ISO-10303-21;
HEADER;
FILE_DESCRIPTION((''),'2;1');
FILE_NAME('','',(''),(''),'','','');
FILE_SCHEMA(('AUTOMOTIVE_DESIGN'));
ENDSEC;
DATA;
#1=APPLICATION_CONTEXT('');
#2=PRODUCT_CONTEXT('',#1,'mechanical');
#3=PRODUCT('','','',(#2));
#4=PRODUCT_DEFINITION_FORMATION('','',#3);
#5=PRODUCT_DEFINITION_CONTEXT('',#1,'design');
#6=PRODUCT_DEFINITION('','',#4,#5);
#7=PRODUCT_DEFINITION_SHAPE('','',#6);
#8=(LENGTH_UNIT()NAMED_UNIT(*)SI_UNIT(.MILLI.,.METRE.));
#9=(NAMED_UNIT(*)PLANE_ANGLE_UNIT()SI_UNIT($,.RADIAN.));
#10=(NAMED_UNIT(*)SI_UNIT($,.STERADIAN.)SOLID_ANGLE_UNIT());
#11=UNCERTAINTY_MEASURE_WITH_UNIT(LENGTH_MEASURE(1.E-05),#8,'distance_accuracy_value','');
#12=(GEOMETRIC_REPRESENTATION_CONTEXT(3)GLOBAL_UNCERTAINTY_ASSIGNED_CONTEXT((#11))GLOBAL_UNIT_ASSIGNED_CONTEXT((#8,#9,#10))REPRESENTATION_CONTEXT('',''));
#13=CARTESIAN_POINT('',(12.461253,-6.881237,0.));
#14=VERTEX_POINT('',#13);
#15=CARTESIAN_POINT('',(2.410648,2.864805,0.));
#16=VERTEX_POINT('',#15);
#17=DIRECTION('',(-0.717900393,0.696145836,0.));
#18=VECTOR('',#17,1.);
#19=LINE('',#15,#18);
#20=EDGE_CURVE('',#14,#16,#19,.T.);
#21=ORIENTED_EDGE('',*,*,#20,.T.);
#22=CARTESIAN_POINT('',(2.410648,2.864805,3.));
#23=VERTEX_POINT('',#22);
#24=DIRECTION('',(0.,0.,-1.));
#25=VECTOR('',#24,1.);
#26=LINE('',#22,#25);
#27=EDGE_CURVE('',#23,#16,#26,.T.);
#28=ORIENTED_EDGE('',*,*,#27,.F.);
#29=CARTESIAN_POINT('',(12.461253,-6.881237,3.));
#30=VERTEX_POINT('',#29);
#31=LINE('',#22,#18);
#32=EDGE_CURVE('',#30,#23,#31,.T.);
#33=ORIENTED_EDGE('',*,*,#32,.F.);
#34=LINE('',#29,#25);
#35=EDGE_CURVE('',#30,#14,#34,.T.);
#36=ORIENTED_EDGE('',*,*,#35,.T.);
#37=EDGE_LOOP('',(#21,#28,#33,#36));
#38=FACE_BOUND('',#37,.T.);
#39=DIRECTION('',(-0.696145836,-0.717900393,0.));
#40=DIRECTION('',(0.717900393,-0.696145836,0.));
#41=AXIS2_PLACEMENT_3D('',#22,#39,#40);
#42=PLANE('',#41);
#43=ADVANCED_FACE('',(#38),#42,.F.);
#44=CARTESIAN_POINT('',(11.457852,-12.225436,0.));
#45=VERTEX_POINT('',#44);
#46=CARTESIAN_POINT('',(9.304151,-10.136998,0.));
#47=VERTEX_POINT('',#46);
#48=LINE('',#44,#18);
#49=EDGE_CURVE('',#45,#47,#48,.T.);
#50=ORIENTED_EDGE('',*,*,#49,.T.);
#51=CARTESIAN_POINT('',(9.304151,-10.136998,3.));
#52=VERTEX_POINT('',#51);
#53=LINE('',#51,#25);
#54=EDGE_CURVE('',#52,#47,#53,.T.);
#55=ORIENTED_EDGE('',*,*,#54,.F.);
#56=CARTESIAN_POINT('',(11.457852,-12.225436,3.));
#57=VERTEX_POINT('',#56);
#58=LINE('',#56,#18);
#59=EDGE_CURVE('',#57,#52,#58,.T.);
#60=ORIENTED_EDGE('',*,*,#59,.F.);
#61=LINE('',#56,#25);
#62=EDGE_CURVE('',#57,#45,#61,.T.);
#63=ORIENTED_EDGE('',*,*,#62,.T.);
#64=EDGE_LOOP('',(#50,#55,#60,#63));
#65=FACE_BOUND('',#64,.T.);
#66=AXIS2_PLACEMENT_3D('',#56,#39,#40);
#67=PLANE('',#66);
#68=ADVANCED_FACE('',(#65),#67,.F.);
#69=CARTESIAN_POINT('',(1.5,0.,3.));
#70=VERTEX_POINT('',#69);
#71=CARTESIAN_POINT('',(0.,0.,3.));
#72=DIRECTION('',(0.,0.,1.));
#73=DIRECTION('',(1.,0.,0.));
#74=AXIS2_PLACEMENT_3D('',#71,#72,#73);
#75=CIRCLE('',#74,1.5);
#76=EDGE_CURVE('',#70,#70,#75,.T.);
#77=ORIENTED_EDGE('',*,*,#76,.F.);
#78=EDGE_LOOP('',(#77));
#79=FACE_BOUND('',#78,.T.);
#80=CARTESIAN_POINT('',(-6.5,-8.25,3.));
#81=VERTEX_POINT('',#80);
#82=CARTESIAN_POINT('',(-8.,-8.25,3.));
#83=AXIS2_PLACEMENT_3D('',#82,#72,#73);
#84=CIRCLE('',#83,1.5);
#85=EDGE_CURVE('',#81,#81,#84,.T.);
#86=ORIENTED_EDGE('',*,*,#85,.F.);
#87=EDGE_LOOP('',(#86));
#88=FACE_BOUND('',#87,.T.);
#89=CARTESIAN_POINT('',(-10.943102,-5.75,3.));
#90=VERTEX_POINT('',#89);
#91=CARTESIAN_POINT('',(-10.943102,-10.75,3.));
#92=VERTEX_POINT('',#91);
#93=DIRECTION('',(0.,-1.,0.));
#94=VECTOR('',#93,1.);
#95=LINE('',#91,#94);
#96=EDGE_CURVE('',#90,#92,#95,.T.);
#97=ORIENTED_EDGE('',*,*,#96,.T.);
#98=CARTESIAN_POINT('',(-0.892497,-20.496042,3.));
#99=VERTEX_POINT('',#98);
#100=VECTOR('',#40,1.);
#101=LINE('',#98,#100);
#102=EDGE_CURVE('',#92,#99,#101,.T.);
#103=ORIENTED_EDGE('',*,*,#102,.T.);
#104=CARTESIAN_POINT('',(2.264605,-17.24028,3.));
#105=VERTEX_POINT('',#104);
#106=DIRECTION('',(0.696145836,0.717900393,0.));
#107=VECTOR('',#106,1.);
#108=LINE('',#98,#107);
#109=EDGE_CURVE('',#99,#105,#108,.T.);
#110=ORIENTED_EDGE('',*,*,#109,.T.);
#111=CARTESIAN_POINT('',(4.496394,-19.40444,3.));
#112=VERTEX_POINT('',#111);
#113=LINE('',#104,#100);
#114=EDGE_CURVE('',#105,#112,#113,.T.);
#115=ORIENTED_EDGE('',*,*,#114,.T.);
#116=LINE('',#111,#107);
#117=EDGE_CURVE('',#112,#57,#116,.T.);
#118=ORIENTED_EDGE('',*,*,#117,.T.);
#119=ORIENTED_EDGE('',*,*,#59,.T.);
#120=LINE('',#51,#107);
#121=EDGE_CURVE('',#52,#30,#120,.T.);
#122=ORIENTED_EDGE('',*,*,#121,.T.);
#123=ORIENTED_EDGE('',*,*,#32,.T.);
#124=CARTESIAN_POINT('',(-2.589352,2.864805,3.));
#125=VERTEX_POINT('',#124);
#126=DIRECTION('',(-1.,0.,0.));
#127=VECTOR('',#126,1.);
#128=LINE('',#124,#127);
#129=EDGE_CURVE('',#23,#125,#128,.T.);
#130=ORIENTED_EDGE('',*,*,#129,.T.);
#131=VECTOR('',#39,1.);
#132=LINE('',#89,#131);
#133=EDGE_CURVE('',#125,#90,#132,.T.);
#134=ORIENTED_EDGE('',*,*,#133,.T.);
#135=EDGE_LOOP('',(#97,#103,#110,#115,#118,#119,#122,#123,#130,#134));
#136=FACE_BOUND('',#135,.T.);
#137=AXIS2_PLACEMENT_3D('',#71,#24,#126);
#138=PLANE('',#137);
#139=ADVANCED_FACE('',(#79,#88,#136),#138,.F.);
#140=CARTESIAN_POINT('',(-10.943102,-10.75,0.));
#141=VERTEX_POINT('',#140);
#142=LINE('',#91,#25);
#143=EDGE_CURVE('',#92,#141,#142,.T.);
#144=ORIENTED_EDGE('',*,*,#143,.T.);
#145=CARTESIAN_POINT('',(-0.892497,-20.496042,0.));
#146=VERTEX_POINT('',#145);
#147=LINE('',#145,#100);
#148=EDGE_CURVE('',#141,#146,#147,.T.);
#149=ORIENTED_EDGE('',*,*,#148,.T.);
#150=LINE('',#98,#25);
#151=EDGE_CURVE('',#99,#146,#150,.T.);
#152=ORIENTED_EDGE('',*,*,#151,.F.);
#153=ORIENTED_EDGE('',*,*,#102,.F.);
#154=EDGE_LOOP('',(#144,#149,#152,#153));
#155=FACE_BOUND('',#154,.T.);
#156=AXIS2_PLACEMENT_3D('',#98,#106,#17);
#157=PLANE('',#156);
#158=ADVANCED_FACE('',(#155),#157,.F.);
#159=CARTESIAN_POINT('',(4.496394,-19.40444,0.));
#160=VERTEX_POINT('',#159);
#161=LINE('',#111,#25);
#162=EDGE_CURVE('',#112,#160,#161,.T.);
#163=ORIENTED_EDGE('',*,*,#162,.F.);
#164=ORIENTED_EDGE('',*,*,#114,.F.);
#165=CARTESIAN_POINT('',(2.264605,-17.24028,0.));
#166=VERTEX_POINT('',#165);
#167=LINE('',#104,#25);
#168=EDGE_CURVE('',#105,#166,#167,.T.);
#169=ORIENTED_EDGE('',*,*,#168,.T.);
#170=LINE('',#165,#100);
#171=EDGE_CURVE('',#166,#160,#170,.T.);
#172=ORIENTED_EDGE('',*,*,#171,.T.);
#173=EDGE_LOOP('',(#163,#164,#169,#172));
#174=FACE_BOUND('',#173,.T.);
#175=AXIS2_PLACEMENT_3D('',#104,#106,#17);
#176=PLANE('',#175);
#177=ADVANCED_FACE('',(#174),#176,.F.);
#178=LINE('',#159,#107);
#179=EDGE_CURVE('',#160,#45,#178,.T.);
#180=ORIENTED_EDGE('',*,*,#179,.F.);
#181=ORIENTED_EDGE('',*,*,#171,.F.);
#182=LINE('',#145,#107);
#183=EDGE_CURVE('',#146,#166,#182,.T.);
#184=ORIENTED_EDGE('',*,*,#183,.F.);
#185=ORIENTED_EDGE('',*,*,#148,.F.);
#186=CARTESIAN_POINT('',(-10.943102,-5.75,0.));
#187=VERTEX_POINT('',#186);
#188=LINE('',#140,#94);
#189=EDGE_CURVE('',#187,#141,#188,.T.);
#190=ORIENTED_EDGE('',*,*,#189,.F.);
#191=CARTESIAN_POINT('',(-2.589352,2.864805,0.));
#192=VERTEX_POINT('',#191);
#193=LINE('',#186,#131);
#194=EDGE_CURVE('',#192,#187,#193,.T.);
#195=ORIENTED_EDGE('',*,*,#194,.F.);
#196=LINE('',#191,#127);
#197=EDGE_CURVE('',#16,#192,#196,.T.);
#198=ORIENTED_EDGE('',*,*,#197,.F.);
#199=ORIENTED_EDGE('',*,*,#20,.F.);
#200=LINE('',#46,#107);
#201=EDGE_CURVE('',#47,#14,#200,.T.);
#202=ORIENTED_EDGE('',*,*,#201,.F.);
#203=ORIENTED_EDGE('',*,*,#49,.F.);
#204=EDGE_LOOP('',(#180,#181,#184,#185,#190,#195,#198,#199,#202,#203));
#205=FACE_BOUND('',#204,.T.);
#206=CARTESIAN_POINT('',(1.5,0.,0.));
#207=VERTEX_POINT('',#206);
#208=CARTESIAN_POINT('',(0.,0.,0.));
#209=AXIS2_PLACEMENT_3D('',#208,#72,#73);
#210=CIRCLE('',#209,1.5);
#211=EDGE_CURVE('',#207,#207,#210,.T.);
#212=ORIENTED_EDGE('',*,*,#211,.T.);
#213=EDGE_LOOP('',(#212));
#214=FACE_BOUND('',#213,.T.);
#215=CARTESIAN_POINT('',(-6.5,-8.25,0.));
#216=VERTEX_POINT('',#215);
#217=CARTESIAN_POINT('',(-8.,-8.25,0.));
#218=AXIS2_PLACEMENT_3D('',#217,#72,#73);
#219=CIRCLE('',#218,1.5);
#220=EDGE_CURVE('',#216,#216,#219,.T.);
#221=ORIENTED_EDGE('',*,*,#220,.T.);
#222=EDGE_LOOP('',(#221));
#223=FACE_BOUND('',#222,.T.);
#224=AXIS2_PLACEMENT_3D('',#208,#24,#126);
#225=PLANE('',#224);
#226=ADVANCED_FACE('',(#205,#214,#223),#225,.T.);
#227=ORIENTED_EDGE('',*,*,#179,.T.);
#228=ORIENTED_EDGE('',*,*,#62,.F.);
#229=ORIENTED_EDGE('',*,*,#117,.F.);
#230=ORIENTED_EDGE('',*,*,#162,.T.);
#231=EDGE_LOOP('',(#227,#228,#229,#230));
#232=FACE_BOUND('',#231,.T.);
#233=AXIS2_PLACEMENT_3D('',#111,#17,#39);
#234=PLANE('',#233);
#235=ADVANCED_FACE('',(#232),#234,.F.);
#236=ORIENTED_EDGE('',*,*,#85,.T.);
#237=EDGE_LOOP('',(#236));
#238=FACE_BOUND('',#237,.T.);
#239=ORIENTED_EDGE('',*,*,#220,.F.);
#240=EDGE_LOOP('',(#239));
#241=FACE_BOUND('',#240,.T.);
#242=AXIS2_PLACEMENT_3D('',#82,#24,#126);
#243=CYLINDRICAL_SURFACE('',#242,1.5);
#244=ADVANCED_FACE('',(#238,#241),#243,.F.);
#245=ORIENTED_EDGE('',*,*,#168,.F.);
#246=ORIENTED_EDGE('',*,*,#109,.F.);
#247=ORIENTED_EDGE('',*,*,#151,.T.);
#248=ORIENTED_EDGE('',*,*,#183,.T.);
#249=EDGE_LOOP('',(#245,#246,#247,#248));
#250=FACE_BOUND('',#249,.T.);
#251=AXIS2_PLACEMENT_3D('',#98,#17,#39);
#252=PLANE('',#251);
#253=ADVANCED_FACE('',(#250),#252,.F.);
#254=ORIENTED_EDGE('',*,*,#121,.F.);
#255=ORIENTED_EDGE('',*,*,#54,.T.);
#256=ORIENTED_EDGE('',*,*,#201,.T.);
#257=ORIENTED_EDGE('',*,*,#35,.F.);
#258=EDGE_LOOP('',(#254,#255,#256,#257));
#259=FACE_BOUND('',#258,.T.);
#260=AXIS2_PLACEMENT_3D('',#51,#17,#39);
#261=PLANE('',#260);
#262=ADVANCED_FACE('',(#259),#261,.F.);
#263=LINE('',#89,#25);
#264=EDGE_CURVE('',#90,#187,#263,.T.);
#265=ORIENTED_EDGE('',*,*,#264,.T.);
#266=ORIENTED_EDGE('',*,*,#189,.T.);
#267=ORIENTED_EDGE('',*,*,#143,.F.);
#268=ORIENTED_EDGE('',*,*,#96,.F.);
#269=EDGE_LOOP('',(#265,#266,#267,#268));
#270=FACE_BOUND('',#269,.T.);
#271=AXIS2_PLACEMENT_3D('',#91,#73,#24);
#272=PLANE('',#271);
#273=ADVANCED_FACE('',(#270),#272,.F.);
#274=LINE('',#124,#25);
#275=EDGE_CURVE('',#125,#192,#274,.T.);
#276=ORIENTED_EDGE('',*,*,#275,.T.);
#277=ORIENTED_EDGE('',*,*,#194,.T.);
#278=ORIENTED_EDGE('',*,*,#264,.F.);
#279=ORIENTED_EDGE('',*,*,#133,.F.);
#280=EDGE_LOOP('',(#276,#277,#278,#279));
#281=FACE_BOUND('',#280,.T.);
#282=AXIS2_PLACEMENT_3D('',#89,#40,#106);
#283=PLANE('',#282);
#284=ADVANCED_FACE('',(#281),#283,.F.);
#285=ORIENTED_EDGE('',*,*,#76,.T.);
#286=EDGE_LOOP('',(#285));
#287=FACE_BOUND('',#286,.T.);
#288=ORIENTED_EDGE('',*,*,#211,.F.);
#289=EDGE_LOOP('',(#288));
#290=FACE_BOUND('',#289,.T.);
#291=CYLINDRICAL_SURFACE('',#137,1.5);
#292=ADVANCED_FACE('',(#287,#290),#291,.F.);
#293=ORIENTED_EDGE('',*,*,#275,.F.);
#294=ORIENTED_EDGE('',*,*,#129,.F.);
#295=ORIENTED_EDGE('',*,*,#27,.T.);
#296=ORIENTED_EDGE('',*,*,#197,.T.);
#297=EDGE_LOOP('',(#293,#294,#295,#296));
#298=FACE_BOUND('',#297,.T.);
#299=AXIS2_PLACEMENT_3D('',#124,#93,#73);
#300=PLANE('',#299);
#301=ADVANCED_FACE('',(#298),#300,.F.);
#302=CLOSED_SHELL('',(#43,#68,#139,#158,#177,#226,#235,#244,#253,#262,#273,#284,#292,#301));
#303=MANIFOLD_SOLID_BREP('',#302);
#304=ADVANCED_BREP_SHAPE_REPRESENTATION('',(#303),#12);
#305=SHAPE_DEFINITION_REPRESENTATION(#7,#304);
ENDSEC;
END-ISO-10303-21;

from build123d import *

# Parameters (mm, degrees)
ESQUISSE1_R        = 1.5
BOSS_EXTRU_2_DEPTH = 3


with BuildPart() as part:
    # Esquisse1 → Boss.-Extru.2 (new body)
    with BuildSketch(Plane.XY):
        Polygon((-10.943102451, -5.75), (-2.589352418, 2.864804721), (2.410647582, 2.864804721), (12.46125309, -6.881236984), (9.304151267, -10.136998238), (11.457852448, -12.225435747), (4.496394087, -19.404439681), (2.26460488, -17.24028045), (-0.892496943, -20.496041705), (-10.943102451, -10.75), align=None)
        Circle(ESQUISSE1_R, mode=Mode.SUBTRACT)
        with Locations((-8, -8.25)):
            Circle(ESQUISSE1_R, mode=Mode.SUBTRACT)
    extrude(amount=BOSS_EXTRU_2_DEPTH)


solid = part.part
